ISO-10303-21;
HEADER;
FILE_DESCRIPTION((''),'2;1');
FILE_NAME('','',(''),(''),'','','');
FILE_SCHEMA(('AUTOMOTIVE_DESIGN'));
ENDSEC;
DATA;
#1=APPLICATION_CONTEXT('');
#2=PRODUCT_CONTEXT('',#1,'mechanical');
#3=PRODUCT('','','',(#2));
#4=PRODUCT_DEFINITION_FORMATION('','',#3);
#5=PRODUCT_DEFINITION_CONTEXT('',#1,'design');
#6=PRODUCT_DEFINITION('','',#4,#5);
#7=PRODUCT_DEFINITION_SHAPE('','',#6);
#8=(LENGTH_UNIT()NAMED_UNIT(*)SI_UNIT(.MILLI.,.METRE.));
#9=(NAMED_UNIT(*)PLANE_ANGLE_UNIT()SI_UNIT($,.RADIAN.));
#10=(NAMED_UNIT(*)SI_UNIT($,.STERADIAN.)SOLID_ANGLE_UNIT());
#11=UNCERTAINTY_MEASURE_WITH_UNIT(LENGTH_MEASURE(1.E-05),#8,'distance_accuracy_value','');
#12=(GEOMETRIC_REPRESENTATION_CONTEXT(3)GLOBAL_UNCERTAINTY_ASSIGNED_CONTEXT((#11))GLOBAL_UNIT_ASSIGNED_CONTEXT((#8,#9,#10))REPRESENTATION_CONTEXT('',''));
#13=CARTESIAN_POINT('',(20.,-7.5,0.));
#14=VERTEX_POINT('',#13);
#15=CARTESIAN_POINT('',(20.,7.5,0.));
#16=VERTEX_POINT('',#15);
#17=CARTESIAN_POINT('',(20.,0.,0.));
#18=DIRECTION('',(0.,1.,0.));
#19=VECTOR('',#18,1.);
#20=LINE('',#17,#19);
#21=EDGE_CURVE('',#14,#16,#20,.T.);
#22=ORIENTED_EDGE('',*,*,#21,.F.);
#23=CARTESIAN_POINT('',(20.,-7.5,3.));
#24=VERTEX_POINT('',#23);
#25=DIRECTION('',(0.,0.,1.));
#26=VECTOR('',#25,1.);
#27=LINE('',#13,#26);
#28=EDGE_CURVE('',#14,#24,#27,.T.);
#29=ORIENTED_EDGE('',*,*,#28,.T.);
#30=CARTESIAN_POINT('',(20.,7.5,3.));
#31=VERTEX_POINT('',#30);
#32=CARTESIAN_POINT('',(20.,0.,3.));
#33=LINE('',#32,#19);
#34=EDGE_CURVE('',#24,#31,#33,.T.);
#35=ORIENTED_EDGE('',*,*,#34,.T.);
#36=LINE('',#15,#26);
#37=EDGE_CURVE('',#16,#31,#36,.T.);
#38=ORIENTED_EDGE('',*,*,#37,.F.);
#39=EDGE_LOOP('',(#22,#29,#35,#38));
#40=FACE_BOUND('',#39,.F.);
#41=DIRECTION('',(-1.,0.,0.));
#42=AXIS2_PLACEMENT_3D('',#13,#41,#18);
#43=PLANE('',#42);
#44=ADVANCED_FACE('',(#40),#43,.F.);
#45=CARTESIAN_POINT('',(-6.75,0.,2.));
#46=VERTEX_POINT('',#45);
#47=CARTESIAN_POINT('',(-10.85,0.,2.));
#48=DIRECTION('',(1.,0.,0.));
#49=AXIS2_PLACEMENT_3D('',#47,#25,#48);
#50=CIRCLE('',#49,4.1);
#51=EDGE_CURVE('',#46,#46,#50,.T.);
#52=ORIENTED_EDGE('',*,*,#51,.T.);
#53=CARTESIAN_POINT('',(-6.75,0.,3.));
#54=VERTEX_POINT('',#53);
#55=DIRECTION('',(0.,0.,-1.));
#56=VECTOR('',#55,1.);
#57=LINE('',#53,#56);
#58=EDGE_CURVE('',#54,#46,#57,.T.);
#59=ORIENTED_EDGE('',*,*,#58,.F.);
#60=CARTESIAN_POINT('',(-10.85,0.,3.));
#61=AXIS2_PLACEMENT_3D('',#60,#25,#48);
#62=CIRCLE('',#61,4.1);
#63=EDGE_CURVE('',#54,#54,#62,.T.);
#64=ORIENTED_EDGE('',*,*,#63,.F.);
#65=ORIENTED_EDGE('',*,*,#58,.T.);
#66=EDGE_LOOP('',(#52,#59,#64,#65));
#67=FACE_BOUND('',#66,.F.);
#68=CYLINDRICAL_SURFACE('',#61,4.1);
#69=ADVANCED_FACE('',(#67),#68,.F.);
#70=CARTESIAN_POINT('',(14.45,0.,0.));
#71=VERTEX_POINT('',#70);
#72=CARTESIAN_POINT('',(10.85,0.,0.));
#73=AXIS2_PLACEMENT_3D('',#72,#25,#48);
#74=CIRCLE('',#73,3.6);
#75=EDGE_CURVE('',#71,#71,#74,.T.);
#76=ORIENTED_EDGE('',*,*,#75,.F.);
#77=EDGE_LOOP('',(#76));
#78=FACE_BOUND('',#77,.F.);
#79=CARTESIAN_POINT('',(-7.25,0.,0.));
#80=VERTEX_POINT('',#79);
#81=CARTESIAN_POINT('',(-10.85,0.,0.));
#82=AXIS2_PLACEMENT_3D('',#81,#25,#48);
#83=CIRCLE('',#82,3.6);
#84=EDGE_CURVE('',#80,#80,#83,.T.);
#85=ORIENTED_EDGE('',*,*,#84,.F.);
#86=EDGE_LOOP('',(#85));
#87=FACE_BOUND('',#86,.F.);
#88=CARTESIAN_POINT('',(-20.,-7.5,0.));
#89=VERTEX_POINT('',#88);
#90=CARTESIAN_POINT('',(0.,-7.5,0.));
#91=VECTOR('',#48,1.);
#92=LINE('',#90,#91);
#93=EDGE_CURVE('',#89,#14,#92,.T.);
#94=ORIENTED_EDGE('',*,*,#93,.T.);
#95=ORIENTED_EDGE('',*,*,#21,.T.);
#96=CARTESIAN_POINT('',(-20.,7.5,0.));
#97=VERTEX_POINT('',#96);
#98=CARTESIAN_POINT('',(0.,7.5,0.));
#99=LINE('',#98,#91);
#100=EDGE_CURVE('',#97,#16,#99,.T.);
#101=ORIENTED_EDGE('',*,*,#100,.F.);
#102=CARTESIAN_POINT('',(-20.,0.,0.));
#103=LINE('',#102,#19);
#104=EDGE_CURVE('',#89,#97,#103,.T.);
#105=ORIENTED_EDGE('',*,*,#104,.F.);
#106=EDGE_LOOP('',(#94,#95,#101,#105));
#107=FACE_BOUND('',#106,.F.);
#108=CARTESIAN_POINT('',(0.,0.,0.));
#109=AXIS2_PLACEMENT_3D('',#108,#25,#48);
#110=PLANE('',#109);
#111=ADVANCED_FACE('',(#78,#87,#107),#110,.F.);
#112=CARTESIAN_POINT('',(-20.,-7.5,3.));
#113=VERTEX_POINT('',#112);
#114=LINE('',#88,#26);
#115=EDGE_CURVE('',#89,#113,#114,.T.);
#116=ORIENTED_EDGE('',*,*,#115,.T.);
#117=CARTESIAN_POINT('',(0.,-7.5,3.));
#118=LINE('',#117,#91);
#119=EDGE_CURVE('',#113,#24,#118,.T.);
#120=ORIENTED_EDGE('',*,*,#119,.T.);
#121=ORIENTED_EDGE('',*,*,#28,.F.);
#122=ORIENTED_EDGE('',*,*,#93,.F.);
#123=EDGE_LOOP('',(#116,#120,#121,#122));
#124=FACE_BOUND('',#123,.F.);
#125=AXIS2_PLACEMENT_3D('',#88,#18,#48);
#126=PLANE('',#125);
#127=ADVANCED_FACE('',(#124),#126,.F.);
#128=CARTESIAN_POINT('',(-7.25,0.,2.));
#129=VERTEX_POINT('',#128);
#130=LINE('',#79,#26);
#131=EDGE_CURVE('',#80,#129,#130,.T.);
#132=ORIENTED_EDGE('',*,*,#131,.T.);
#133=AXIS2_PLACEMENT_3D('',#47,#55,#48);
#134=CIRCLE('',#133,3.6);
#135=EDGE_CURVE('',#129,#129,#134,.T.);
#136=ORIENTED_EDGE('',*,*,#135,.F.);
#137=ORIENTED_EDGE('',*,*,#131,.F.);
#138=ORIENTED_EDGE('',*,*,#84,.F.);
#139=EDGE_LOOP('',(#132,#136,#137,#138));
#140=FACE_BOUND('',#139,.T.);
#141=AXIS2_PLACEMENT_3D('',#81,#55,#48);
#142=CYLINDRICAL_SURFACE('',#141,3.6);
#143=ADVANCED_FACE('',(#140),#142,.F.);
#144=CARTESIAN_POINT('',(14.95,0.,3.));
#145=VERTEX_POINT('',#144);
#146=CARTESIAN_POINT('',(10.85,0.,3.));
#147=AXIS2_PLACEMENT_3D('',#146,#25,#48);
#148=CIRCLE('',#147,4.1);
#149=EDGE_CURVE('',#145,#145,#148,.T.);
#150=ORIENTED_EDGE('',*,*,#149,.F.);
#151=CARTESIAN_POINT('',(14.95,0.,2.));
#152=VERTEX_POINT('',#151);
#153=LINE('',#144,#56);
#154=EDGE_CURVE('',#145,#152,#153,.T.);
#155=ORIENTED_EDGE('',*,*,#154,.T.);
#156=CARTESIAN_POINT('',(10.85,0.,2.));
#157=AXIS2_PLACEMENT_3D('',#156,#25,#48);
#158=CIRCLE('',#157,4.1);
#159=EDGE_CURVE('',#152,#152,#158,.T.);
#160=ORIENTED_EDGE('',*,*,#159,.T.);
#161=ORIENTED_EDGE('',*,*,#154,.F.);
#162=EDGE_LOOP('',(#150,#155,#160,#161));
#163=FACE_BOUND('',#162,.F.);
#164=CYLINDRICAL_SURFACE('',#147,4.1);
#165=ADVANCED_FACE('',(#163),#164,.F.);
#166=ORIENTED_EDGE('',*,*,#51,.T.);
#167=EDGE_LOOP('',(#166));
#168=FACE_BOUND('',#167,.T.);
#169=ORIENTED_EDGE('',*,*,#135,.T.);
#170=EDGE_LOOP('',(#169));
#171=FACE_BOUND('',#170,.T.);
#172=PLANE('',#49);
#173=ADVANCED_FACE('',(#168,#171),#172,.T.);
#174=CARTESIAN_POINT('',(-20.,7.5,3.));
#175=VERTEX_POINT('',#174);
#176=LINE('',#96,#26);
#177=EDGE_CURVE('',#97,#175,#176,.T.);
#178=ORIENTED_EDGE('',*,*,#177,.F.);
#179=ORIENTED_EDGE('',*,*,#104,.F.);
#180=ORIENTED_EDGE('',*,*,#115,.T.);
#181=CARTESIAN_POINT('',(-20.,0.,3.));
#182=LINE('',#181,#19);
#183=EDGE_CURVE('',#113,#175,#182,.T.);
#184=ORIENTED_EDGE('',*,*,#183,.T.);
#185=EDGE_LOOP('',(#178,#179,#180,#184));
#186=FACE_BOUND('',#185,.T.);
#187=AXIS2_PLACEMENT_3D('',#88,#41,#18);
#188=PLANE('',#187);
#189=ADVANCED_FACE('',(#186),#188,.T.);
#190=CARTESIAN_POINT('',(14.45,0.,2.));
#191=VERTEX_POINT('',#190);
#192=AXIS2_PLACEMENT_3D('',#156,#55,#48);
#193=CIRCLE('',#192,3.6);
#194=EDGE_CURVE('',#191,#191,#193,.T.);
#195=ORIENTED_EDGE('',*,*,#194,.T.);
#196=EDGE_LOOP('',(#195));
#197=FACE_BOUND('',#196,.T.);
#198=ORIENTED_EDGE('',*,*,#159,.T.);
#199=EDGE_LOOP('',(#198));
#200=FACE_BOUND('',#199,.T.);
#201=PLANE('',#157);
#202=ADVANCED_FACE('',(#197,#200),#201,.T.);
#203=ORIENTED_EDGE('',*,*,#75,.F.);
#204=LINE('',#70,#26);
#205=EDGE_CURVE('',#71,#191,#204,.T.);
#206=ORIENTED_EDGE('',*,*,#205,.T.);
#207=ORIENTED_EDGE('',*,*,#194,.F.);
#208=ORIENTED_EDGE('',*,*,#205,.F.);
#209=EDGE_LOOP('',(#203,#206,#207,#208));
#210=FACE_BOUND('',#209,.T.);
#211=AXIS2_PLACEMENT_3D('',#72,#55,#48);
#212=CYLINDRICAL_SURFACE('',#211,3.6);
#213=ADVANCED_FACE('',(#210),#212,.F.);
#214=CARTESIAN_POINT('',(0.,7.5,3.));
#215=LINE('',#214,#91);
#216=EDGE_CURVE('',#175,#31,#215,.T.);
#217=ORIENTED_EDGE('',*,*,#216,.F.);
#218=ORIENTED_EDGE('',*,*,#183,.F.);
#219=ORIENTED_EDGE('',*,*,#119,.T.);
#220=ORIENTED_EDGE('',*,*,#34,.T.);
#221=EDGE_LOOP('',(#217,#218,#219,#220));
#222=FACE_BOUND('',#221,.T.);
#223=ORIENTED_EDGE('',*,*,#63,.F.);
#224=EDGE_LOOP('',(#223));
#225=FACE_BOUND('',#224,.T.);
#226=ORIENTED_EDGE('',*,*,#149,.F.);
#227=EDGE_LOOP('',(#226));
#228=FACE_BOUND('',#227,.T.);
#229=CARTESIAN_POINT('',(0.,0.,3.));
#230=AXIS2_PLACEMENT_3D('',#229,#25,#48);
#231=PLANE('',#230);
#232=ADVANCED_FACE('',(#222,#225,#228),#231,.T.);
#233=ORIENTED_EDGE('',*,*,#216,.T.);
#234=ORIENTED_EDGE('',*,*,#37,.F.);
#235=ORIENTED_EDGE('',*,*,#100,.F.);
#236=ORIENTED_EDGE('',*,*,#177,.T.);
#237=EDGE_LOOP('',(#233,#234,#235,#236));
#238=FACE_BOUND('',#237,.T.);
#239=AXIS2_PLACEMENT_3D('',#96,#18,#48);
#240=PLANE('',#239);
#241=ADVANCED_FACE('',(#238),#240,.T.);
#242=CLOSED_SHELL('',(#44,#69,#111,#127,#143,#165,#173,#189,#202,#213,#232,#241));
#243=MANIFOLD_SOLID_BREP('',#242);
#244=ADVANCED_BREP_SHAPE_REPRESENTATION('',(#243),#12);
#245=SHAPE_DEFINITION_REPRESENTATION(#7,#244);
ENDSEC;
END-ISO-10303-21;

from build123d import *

# Parameters (mm, degrees)
F0_W     = 40
F0_H     = 15
F0_R     = 4.1
F0_R_2   = 3.6
F1_DEPTH = 3
F2_R     = 4.1
F3_DEPTH = 1


with BuildPart() as f1:
    # F0 (on Top) → F1 (new body)
    with BuildSketch(Plane.XY):
        Rectangle(F0_W, F0_H)
        with Locations((-10.85, 0)):
            Circle(F0_R, mode=Mode.SUBTRACT)
        with Locations((10.85, 0)):
            Circle(F0_R, mode=Mode.SUBTRACT)
        with Locations((10.85, 0)):
            Circle(F0_R)
        with Locations((10.85, 0)):
            Circle(F0_R_2, mode=Mode.SUBTRACT)
        with Locations((-10.85, 0)):
            Circle(F0_R)
        with Locations((-10.85, 0)):
            Circle(F0_R_2, mode=Mode.SUBTRACT)
    extrude(amount=F1_DEPTH)

    # F2 (on face) → F3 (cut)
    with BuildSketch(Plane.XY.offset(3)):
        with Locations((-10.85, 0)):
            Circle(F2_R)
        with Locations((10.85, 0)):
            Circle(F2_R)
    extrude(amount=-F3_DEPTH, mode=Mode.SUBTRACT)


solid = f1.part
